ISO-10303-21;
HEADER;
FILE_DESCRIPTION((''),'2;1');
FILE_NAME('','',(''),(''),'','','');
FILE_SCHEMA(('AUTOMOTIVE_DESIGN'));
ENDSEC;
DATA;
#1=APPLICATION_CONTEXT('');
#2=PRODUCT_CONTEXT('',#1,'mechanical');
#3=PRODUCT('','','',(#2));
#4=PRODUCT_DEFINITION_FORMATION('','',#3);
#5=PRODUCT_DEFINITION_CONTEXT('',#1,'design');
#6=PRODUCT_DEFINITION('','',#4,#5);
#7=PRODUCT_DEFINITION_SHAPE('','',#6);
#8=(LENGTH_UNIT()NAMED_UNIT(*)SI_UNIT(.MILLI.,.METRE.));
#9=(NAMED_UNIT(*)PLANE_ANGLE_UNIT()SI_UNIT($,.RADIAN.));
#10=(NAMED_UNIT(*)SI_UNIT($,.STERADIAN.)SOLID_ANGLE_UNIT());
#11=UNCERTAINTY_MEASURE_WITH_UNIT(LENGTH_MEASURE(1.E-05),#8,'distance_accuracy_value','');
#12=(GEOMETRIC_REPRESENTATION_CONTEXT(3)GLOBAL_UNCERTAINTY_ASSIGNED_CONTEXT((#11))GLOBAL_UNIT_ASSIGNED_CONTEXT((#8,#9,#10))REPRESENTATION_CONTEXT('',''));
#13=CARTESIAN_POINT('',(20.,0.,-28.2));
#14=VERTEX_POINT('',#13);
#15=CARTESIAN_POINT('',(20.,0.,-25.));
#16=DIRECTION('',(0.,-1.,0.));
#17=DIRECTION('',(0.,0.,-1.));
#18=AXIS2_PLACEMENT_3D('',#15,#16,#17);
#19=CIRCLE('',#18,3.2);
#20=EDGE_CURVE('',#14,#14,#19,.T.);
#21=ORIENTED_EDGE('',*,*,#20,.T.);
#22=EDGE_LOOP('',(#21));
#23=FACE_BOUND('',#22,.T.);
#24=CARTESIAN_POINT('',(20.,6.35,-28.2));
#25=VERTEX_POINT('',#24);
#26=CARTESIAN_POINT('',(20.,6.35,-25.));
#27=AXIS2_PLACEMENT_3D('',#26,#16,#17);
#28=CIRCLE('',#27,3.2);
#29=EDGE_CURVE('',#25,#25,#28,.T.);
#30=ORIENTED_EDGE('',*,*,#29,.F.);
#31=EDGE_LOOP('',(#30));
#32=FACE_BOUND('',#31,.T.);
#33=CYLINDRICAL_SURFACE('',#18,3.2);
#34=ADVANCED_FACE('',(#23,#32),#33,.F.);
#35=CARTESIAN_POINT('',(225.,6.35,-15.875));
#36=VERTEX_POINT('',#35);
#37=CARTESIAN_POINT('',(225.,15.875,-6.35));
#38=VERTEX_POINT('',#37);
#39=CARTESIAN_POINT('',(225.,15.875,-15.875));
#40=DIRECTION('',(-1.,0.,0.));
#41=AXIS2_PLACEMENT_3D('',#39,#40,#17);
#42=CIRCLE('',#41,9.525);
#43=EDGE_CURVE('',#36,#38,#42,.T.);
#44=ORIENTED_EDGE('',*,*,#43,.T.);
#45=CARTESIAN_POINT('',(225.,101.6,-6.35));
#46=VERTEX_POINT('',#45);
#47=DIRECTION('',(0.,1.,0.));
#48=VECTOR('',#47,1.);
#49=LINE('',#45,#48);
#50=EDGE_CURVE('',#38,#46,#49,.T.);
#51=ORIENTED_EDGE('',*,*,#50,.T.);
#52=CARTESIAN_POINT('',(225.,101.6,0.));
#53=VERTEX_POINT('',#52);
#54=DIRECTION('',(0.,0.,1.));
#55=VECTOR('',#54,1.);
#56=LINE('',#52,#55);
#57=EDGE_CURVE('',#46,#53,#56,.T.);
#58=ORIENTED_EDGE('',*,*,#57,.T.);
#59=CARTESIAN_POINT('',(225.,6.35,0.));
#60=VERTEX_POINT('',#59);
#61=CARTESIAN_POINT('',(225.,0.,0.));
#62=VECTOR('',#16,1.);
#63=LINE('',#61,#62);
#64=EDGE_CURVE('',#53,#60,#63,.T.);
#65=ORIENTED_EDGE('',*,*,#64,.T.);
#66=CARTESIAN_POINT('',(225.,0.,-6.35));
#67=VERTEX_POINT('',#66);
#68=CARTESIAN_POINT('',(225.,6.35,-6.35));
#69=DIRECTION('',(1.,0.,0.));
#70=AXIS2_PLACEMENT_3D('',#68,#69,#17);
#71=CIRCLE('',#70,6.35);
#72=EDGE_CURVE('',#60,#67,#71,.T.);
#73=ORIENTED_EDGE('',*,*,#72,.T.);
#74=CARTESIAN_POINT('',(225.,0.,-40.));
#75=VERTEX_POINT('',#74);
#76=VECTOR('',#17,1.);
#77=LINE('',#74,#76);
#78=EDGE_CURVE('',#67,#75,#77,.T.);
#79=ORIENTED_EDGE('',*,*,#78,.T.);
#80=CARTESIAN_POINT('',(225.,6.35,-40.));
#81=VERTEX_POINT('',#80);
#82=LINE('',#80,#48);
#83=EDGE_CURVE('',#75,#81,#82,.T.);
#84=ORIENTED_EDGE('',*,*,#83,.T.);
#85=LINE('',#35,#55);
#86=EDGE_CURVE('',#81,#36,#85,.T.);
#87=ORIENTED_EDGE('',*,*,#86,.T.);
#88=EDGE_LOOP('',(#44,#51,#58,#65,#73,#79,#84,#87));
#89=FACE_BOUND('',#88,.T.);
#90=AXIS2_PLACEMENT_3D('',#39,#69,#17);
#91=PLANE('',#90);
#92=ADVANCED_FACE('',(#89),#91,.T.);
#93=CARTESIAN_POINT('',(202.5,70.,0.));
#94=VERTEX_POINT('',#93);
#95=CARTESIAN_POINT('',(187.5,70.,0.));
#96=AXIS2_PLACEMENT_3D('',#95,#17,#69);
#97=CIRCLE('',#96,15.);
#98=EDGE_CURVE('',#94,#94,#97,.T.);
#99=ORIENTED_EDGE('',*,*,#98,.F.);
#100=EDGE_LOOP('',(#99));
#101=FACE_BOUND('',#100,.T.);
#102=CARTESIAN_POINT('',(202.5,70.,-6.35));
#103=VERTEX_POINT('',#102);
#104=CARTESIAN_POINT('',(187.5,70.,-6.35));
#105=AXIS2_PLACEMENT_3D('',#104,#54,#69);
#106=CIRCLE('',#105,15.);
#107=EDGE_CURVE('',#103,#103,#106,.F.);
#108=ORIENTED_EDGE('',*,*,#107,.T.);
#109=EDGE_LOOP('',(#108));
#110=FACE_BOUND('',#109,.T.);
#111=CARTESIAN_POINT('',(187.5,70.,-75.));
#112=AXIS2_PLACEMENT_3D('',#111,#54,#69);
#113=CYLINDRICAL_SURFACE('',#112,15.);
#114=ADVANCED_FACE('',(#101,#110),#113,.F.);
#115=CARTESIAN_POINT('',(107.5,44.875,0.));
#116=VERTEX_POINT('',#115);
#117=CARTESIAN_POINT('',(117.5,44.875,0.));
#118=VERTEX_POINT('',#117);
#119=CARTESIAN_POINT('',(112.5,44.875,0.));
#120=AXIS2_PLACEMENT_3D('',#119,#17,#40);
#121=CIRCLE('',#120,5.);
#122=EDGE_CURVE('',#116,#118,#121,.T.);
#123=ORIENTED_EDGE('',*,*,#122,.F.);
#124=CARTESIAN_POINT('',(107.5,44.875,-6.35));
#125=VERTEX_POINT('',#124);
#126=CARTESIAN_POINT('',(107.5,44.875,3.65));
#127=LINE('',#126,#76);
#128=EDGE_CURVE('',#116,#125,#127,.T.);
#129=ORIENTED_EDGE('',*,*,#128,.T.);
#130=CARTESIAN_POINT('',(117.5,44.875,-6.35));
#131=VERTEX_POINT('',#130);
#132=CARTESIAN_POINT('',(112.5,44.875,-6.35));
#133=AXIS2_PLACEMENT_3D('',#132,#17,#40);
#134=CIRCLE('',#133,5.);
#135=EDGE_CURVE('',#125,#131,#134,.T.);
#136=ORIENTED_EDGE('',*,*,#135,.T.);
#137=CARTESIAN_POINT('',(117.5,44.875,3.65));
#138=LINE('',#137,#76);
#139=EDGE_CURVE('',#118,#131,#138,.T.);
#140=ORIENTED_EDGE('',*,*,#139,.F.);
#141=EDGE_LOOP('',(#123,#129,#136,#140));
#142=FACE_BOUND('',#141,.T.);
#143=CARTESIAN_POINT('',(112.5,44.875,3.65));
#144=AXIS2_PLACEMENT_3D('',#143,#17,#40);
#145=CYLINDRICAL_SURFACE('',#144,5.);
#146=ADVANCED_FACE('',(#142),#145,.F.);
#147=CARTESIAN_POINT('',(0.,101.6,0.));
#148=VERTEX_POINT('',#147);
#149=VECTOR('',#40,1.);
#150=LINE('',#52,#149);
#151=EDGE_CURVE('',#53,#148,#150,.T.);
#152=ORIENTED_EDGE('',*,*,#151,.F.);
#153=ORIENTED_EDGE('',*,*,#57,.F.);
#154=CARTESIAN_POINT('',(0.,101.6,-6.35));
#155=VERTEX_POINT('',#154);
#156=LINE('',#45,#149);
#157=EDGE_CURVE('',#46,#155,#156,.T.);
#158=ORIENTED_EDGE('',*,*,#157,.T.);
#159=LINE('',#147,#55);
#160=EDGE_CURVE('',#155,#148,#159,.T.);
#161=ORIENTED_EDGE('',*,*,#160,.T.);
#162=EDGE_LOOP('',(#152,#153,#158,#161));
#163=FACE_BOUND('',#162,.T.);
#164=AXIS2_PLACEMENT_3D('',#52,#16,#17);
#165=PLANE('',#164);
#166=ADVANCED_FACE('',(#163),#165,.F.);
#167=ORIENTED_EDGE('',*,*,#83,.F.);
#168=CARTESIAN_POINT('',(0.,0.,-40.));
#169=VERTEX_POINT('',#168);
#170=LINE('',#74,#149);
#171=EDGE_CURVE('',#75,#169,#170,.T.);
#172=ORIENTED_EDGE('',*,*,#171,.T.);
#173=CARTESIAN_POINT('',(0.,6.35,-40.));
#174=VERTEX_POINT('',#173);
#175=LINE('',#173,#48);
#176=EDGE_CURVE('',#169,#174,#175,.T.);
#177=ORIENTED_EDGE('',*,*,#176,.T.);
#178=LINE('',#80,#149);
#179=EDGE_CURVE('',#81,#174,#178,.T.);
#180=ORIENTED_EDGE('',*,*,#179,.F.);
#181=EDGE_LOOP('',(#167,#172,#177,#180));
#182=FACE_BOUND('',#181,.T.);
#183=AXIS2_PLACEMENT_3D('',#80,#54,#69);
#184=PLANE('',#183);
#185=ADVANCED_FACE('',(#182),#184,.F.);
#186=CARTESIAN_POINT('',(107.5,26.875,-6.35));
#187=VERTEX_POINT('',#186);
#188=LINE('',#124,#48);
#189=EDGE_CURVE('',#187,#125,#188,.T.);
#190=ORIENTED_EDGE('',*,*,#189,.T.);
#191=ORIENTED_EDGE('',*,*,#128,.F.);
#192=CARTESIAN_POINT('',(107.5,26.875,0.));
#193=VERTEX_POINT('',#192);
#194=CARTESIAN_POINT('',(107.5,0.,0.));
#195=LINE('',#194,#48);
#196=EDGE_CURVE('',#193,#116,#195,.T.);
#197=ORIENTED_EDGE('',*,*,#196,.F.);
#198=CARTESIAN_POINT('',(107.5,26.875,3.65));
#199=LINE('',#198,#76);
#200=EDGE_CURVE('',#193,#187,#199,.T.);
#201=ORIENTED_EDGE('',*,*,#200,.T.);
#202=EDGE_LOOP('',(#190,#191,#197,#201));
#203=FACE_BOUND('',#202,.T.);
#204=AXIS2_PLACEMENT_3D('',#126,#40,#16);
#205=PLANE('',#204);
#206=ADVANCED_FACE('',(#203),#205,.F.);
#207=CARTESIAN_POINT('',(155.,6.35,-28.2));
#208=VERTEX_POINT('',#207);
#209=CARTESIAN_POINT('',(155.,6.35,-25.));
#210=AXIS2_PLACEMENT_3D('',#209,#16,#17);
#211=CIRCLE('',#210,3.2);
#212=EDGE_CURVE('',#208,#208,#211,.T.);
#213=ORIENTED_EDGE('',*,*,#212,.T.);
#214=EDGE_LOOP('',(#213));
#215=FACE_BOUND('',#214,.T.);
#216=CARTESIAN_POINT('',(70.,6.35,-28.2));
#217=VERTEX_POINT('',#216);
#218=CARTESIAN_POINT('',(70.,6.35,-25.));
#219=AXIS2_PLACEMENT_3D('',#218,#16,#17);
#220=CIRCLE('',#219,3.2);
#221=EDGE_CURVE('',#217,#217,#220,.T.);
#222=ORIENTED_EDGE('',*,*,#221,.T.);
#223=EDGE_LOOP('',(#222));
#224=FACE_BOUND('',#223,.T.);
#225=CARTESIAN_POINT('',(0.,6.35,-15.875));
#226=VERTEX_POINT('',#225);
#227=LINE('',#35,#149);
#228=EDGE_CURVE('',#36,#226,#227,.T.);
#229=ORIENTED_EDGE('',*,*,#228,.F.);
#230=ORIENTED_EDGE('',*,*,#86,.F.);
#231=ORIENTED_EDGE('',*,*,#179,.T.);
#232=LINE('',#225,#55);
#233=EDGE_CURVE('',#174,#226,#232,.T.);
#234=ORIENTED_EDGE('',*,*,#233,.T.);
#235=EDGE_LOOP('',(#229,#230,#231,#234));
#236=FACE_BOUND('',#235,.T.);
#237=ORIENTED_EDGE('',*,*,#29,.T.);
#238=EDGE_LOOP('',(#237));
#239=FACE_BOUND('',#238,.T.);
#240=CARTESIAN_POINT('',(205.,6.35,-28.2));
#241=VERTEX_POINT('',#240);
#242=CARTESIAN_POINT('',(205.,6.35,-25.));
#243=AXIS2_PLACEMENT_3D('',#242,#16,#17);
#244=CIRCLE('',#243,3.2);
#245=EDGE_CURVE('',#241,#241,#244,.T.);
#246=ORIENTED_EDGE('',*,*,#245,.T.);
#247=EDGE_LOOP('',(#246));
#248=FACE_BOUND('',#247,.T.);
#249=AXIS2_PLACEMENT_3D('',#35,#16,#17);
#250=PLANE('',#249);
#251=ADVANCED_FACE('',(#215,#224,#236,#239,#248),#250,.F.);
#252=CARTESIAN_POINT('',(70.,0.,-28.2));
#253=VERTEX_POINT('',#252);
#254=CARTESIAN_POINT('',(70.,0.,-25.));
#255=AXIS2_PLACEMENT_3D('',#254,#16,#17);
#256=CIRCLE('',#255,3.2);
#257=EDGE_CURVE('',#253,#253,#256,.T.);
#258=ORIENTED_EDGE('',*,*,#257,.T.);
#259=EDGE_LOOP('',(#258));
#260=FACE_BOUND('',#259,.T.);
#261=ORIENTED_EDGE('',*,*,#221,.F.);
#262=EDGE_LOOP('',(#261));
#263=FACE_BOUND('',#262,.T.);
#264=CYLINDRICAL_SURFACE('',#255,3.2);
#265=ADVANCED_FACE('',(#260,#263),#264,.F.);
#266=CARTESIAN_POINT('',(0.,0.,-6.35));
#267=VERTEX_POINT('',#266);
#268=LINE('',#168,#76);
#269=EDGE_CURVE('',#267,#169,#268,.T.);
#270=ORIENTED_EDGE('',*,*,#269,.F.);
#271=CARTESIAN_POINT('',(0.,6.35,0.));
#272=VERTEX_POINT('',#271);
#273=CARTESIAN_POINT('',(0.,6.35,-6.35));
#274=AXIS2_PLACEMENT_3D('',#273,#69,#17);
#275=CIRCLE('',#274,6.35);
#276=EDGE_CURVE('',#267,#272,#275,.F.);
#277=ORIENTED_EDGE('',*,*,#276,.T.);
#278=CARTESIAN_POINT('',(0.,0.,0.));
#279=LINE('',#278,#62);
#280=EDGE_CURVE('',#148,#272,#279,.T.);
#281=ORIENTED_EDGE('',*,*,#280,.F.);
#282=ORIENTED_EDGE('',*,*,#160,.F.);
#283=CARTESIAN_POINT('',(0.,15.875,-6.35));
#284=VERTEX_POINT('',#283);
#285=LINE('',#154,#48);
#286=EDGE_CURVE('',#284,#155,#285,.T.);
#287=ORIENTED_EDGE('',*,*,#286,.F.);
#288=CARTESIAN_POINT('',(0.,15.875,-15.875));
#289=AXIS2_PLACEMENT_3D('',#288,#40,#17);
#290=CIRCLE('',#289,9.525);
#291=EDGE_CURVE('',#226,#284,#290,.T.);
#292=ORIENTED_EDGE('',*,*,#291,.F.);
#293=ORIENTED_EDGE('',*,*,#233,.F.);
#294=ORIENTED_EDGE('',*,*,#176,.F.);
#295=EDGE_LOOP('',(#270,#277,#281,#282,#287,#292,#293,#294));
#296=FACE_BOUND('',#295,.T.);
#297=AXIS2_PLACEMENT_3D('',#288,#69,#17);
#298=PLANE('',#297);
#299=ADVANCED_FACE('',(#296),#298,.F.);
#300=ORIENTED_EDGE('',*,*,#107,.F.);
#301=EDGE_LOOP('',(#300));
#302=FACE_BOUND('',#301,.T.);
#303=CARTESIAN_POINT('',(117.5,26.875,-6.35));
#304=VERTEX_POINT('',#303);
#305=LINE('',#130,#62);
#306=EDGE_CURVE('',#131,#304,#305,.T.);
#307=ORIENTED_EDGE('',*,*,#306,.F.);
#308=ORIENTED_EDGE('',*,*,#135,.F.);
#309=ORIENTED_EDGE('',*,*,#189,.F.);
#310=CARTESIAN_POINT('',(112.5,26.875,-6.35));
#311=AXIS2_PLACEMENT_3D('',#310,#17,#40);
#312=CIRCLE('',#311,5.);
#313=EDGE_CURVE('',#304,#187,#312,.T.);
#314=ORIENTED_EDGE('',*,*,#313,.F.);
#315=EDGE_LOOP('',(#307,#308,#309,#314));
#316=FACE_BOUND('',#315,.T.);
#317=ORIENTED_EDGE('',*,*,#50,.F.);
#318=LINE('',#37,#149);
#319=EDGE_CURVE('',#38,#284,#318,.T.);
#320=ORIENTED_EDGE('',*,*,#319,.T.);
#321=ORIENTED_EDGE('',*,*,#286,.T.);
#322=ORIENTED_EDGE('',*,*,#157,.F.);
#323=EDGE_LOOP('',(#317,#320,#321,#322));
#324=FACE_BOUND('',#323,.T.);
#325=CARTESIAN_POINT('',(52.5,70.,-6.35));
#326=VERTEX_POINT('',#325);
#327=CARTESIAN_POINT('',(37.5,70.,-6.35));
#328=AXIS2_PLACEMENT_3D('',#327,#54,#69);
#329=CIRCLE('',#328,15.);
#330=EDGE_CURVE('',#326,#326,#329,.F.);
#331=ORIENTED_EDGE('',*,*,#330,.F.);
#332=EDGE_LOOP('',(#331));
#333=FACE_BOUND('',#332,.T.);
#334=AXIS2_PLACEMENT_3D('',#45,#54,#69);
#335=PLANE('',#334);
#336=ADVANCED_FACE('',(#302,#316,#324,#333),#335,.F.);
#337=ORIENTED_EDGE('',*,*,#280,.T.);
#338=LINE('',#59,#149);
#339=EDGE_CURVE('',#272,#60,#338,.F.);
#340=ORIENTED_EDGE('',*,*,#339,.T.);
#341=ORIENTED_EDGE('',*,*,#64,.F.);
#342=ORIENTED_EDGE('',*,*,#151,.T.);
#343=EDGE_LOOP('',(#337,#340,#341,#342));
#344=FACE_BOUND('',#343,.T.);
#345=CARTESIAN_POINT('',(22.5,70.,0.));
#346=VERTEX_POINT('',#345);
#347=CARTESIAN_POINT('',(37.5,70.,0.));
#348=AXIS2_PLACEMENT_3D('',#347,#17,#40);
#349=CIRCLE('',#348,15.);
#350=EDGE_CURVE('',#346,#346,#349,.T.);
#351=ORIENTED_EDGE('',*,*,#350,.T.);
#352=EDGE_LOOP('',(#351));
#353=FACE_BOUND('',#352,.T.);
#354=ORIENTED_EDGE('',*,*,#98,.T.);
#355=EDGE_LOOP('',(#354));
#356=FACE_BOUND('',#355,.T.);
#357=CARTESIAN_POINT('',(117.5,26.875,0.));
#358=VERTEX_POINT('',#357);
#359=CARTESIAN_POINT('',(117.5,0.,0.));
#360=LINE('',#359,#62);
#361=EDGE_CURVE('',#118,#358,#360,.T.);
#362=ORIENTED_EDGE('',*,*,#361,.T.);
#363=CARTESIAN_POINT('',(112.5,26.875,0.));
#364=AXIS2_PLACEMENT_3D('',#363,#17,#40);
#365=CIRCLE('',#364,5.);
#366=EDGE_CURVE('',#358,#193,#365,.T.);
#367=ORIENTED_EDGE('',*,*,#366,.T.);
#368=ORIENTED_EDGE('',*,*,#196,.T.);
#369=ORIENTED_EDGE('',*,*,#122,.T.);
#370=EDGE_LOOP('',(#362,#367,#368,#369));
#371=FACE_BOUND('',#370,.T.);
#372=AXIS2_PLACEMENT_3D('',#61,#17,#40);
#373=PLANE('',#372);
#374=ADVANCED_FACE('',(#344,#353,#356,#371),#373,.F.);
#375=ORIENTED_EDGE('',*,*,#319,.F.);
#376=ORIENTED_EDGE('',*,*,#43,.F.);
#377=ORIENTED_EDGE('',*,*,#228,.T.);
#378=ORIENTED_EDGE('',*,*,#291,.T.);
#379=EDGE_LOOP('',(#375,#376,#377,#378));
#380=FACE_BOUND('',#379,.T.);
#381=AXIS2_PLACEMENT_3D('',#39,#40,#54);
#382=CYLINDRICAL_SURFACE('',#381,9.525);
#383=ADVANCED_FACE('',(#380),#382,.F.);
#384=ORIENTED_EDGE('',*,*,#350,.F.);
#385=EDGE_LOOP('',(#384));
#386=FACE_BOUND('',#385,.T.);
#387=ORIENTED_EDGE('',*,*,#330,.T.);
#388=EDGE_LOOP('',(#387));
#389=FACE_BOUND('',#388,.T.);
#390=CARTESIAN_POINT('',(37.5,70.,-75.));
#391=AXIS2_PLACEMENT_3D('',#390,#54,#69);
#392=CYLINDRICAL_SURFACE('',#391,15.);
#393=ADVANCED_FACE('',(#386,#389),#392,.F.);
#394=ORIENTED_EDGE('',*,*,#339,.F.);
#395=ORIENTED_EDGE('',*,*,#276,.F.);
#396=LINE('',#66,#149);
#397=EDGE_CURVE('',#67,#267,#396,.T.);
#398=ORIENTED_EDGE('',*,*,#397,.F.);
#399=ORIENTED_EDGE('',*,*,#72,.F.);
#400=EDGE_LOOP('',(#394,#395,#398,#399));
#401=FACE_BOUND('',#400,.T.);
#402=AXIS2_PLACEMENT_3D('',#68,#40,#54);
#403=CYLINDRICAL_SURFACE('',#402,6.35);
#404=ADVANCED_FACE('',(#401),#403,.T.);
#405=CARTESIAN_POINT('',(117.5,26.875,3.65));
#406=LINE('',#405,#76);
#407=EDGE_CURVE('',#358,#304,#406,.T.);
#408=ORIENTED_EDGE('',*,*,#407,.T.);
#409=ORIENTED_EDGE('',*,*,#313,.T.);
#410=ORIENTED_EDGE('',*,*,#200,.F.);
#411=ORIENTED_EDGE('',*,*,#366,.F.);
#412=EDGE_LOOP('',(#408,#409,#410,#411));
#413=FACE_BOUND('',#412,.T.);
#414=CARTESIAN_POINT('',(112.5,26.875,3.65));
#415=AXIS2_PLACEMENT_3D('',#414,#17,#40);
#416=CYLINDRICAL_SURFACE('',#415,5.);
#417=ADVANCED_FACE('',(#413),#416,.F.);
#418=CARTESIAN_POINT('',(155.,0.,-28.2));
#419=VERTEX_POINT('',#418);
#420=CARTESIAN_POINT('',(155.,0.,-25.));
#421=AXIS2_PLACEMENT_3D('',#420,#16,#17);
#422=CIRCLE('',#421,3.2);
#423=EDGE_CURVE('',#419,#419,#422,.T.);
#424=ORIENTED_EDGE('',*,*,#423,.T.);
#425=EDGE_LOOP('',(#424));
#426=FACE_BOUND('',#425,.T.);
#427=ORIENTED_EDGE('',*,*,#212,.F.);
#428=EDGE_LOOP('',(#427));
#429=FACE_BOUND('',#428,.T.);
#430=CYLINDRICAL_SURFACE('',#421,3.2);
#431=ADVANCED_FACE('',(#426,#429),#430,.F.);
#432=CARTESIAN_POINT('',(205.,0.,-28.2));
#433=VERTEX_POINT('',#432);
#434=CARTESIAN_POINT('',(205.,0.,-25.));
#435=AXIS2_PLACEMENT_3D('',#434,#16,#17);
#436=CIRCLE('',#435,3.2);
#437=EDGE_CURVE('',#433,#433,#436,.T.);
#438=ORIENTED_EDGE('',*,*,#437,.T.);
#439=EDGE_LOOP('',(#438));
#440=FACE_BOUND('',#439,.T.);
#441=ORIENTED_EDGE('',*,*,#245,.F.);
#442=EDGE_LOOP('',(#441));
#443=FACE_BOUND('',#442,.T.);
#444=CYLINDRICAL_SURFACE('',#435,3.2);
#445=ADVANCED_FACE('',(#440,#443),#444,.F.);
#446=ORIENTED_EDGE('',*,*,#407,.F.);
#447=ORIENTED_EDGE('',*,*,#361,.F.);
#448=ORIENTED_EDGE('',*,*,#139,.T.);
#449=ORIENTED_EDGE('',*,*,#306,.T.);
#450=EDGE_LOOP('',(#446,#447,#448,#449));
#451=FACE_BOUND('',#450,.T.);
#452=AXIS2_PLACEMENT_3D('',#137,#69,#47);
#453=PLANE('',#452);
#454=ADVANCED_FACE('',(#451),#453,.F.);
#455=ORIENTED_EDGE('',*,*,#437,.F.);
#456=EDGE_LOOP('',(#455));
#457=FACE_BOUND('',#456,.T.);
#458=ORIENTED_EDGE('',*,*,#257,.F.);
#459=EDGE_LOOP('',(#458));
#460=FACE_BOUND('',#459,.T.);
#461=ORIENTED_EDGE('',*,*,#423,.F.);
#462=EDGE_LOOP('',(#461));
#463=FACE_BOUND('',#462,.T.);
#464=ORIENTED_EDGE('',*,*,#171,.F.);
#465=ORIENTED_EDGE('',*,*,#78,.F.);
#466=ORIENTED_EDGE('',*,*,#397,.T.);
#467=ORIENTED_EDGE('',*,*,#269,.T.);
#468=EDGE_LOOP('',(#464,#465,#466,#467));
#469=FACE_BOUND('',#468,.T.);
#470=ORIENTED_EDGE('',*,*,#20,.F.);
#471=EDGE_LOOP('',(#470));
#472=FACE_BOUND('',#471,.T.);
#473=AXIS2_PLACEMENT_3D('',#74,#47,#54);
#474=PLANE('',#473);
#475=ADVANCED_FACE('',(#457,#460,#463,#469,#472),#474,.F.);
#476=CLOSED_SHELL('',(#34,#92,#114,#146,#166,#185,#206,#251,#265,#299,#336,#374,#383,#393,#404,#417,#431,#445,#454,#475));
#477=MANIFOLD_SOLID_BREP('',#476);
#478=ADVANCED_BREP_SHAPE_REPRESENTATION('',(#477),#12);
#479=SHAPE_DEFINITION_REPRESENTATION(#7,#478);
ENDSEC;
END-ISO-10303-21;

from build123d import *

# Parameters (mm, degrees)
BOSS_EXTRUDE1_DEPTH  = 225
FILLET1_R            = 6.35
SKETCH2_R            = 15
CUT_EXTRUDE1_DEPTH   = 75
CUT_EXTRUDE2_DEPTH   = 10
M6_CLEARANCE_HOLE1_D = 6.4


with BuildPart() as part:
    # Sketch1 → Boss-Extrude1 (new body)
    with BuildSketch(Plane(origin=(0, 0, 0), x_dir=(0, 0, -1), z_dir=(1, 0, 0))):
        with BuildLine():
            Line((0, 0), (0, 101.6))
            Line((0, 101.6), (6.35, 101.6))
            Line((6.35, 101.6), (6.35, 15.875))
            ThreePointArc((6.35, 15.875), (9.139807909, 9.139807909), (15.875, 6.35))
            Line((15.875, 6.35), (40, 6.35))
            Line((40, 6.35), (40, 0))
            Line((40, 0), (0, 0))
        make_face()
    extrude(amount=BOSS_EXTRUDE1_DEPTH)

    # Fillet1
    fillet1_edges = [part.edges().sort_by_distance(p)[0] for p in [
        (112.5, 0, 0),
    ]]
    fillet(fillet1_edges, radius=FILLET1_R)

    # Sketch2 → Cut-Extrude1 (cut)
    with BuildSketch(Plane(origin=(0, 0, 0), x_dir=(-1, 0, 0), z_dir=(0, 0, -1))):
        with Locations((-37.5, 70)):
            Circle(SKETCH2_R)
        with Locations((-187.5, 70)):
            Circle(SKETCH2_R)
    extrude(amount=CUT_EXTRUDE1_DEPTH, mode=Mode.SUBTRACT)

    # Sketch5 → Cut-Extrude2 (cut)
    with BuildSketch(Plane(origin=(0, 0, -6.35), x_dir=(-1, 0, 0), z_dir=(0, 0, -1))):
        with BuildLine():
            Line((-107.5, 44.875), (-107.5, 26.875))
            ThreePointArc((-107.5, 26.875), (-112.5, 21.875), (-117.5, 26.875))
            Line((-117.5, 26.875), (-117.5, 44.875))
            ThreePointArc((-117.5, 44.875), (-112.5, 49.875), (-107.5, 44.875))
        make_face()
    extrude(amount=-CUT_EXTRUDE2_DEPTH, mode=Mode.SUBTRACT)

    # M6 Clearance Hole1 (through all)
    with Locations(Plane(origin=(20, 0, -25), x_dir=(0, 0, -1), z_dir=(0, -1, 0))):
        with Locations((0, 0), (0, 50), (0, 135), (0, 185)):
            Hole(M6_CLEARANCE_HOLE1_D / 2)


solid = part.part
